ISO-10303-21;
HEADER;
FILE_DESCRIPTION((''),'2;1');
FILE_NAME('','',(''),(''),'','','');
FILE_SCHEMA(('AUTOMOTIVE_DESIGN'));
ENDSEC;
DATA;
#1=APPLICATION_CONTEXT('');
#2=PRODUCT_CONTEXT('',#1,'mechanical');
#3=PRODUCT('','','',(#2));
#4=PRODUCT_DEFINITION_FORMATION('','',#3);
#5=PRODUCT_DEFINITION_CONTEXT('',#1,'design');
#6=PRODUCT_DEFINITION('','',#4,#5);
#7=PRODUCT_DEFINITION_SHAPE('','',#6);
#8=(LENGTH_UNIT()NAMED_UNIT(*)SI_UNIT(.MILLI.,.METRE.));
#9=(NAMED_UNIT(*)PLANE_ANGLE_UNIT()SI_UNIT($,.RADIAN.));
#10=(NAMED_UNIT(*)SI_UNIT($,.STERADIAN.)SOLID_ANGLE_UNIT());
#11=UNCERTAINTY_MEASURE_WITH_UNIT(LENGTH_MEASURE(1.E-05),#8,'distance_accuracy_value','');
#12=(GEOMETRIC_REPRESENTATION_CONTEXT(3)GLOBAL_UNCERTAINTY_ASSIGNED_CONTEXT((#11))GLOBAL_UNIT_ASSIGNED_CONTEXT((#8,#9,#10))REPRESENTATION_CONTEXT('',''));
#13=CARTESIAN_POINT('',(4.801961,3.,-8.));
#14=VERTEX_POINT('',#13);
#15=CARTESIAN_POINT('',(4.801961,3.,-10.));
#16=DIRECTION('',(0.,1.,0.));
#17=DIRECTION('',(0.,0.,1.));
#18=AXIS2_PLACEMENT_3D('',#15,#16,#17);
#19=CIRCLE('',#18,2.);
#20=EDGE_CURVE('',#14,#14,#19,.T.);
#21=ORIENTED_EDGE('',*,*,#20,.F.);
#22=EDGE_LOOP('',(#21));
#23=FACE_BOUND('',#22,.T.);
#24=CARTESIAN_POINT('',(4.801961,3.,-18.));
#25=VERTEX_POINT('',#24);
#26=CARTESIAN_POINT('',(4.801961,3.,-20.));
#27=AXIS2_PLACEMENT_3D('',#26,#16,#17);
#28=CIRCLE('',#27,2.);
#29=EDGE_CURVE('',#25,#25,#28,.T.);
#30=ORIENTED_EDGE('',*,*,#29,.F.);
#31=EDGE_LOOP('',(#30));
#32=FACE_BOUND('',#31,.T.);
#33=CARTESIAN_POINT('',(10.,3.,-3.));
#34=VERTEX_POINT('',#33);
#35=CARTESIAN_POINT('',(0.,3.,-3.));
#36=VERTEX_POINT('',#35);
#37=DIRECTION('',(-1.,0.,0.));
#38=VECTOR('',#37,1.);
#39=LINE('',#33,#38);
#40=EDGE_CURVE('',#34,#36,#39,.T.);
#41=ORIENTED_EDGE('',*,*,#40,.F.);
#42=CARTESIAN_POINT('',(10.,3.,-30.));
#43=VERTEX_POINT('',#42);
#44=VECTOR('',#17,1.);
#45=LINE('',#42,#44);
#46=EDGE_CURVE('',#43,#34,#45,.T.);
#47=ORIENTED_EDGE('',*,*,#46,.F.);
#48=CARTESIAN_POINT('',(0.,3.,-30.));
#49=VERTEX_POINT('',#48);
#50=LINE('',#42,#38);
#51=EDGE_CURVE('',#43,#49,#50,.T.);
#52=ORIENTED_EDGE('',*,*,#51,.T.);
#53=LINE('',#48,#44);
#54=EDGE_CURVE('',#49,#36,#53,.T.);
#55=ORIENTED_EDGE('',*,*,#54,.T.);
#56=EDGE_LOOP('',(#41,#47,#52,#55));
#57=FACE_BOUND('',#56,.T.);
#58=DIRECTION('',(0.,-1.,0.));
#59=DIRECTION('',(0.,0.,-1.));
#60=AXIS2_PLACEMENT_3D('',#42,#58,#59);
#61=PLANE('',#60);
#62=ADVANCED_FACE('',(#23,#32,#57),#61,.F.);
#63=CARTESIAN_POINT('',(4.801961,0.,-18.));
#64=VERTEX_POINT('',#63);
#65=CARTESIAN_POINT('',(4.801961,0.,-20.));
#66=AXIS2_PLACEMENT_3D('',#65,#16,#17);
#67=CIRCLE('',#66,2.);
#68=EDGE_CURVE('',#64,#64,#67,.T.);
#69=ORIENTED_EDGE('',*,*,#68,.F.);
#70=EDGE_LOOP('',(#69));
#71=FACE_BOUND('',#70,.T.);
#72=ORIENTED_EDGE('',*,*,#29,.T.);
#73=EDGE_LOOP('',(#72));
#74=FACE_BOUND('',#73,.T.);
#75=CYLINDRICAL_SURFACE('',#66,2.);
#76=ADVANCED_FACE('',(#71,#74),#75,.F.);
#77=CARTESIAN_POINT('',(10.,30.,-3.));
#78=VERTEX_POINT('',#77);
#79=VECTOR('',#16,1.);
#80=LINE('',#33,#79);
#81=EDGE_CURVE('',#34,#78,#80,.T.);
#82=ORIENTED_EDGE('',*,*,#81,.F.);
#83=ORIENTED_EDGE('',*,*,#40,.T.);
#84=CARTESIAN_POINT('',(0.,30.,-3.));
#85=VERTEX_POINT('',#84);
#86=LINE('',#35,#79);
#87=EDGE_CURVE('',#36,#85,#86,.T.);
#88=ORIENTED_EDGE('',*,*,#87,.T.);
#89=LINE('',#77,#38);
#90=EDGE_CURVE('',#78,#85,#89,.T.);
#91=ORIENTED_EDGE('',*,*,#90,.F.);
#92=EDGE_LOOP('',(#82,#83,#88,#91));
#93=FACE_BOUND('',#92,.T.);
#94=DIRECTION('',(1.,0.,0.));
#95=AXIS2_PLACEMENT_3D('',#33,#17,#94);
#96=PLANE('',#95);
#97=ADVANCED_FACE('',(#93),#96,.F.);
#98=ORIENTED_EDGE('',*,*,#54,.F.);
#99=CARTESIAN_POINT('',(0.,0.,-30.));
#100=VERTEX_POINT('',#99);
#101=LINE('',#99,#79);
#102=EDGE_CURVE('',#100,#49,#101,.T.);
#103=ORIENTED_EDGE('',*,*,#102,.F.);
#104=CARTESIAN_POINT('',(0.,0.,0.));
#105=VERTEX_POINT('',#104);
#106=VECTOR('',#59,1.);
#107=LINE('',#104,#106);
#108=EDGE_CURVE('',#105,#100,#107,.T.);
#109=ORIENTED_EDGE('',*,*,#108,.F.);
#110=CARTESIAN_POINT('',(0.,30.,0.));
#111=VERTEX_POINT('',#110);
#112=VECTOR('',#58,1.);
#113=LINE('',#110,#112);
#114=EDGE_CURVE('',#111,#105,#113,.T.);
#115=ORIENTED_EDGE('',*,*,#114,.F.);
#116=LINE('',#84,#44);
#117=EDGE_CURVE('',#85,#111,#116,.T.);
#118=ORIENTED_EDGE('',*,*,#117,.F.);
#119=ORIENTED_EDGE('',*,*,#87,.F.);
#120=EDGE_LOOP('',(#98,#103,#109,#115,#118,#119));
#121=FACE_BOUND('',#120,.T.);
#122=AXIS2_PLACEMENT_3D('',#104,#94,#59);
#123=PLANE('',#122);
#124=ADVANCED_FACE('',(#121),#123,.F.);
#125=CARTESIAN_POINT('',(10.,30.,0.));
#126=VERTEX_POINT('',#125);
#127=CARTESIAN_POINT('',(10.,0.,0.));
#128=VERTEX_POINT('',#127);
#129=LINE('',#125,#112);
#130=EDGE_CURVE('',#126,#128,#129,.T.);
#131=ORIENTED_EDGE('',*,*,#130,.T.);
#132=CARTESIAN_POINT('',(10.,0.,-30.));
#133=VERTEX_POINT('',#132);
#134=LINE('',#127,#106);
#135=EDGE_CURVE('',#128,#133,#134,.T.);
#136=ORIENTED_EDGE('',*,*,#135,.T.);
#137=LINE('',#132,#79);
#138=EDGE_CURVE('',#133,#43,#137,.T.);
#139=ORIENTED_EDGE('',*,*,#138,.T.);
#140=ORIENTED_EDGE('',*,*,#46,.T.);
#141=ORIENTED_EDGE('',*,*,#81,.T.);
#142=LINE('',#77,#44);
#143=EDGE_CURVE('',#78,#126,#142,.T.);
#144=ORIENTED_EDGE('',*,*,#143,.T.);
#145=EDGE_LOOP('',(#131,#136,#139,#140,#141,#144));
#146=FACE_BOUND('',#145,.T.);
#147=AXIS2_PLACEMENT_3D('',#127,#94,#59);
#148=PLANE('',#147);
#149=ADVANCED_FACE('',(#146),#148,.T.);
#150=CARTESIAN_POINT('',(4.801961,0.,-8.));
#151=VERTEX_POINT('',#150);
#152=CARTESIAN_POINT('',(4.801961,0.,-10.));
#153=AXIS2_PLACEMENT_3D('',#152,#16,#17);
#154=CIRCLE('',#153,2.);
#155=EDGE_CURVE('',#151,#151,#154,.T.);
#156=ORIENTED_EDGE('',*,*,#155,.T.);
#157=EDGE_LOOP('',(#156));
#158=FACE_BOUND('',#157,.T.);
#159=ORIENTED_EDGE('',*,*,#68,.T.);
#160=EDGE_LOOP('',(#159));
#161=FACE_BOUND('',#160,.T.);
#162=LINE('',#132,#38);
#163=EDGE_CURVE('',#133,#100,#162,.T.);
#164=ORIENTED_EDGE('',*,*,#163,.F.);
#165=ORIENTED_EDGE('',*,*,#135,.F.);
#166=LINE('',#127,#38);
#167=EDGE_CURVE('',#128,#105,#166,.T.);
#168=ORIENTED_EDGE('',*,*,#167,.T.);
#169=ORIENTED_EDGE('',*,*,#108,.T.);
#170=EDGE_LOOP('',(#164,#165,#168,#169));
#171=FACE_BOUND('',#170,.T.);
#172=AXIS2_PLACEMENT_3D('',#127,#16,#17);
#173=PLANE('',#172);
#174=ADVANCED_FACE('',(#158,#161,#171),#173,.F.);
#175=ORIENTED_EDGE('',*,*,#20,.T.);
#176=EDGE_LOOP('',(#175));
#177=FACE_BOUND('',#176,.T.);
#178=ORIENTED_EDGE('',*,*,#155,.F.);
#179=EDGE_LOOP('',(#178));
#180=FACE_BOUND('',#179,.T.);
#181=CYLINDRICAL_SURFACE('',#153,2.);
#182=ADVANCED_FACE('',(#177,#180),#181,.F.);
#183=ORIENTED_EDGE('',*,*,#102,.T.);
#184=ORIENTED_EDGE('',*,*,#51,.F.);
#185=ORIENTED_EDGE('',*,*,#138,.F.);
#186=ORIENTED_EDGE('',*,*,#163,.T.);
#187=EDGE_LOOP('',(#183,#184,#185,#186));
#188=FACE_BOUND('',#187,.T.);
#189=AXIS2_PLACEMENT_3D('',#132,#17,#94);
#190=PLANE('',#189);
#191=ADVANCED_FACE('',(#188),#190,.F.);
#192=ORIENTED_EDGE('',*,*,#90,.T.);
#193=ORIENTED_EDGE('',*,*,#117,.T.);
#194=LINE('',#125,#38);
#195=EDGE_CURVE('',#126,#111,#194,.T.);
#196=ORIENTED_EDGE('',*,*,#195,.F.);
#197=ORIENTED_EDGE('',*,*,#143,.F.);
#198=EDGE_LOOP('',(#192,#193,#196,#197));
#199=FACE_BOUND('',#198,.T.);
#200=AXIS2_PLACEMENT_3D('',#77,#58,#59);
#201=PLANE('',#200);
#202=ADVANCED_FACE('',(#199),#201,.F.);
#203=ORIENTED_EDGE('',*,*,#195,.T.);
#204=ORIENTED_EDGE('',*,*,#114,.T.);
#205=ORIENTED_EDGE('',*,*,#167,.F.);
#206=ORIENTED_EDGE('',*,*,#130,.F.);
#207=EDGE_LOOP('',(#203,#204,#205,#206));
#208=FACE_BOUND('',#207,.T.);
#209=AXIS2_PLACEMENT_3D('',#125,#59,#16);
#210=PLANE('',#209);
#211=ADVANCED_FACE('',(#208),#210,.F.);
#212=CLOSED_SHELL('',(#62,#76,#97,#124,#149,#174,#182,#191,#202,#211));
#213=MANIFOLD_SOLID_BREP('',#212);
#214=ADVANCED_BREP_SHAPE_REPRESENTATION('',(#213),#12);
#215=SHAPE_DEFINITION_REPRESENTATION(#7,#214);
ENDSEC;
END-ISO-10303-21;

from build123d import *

# Parameters (mm, degrees)
BOSS_EXTRUDE1_DEPTH = 10
SKETCH2_R           = 2
CUT_EXTRUDE1_DEPTH  = 3


with BuildPart() as part:
    # Sketch1 → Boss-Extrude1 (new body)
    with BuildSketch(Plane(origin=(0, 0, 0), x_dir=(0, 0, -1), z_dir=(1, 0, 0))):
        Polygon((0, 30), (0, 0), (30, 0), (30, 3), (3, 3), (3, 30), align=None)
    extrude(amount=BOSS_EXTRUDE1_DEPTH)

    # Sketch2 → Cut-Extrude1 (cut)
    with BuildSketch(Plane(origin=(0, 3, 0), x_dir=(1, 0, 0), z_dir=(0, 1, 0))):
        with Locations((4.801961413, 10)):
            Circle(SKETCH2_R)
        with Locations((4.801961413, 20)):
            Circle(SKETCH2_R)
    extrude(amount=-CUT_EXTRUDE1_DEPTH, mode=Mode.SUBTRACT)


solid = part.part
